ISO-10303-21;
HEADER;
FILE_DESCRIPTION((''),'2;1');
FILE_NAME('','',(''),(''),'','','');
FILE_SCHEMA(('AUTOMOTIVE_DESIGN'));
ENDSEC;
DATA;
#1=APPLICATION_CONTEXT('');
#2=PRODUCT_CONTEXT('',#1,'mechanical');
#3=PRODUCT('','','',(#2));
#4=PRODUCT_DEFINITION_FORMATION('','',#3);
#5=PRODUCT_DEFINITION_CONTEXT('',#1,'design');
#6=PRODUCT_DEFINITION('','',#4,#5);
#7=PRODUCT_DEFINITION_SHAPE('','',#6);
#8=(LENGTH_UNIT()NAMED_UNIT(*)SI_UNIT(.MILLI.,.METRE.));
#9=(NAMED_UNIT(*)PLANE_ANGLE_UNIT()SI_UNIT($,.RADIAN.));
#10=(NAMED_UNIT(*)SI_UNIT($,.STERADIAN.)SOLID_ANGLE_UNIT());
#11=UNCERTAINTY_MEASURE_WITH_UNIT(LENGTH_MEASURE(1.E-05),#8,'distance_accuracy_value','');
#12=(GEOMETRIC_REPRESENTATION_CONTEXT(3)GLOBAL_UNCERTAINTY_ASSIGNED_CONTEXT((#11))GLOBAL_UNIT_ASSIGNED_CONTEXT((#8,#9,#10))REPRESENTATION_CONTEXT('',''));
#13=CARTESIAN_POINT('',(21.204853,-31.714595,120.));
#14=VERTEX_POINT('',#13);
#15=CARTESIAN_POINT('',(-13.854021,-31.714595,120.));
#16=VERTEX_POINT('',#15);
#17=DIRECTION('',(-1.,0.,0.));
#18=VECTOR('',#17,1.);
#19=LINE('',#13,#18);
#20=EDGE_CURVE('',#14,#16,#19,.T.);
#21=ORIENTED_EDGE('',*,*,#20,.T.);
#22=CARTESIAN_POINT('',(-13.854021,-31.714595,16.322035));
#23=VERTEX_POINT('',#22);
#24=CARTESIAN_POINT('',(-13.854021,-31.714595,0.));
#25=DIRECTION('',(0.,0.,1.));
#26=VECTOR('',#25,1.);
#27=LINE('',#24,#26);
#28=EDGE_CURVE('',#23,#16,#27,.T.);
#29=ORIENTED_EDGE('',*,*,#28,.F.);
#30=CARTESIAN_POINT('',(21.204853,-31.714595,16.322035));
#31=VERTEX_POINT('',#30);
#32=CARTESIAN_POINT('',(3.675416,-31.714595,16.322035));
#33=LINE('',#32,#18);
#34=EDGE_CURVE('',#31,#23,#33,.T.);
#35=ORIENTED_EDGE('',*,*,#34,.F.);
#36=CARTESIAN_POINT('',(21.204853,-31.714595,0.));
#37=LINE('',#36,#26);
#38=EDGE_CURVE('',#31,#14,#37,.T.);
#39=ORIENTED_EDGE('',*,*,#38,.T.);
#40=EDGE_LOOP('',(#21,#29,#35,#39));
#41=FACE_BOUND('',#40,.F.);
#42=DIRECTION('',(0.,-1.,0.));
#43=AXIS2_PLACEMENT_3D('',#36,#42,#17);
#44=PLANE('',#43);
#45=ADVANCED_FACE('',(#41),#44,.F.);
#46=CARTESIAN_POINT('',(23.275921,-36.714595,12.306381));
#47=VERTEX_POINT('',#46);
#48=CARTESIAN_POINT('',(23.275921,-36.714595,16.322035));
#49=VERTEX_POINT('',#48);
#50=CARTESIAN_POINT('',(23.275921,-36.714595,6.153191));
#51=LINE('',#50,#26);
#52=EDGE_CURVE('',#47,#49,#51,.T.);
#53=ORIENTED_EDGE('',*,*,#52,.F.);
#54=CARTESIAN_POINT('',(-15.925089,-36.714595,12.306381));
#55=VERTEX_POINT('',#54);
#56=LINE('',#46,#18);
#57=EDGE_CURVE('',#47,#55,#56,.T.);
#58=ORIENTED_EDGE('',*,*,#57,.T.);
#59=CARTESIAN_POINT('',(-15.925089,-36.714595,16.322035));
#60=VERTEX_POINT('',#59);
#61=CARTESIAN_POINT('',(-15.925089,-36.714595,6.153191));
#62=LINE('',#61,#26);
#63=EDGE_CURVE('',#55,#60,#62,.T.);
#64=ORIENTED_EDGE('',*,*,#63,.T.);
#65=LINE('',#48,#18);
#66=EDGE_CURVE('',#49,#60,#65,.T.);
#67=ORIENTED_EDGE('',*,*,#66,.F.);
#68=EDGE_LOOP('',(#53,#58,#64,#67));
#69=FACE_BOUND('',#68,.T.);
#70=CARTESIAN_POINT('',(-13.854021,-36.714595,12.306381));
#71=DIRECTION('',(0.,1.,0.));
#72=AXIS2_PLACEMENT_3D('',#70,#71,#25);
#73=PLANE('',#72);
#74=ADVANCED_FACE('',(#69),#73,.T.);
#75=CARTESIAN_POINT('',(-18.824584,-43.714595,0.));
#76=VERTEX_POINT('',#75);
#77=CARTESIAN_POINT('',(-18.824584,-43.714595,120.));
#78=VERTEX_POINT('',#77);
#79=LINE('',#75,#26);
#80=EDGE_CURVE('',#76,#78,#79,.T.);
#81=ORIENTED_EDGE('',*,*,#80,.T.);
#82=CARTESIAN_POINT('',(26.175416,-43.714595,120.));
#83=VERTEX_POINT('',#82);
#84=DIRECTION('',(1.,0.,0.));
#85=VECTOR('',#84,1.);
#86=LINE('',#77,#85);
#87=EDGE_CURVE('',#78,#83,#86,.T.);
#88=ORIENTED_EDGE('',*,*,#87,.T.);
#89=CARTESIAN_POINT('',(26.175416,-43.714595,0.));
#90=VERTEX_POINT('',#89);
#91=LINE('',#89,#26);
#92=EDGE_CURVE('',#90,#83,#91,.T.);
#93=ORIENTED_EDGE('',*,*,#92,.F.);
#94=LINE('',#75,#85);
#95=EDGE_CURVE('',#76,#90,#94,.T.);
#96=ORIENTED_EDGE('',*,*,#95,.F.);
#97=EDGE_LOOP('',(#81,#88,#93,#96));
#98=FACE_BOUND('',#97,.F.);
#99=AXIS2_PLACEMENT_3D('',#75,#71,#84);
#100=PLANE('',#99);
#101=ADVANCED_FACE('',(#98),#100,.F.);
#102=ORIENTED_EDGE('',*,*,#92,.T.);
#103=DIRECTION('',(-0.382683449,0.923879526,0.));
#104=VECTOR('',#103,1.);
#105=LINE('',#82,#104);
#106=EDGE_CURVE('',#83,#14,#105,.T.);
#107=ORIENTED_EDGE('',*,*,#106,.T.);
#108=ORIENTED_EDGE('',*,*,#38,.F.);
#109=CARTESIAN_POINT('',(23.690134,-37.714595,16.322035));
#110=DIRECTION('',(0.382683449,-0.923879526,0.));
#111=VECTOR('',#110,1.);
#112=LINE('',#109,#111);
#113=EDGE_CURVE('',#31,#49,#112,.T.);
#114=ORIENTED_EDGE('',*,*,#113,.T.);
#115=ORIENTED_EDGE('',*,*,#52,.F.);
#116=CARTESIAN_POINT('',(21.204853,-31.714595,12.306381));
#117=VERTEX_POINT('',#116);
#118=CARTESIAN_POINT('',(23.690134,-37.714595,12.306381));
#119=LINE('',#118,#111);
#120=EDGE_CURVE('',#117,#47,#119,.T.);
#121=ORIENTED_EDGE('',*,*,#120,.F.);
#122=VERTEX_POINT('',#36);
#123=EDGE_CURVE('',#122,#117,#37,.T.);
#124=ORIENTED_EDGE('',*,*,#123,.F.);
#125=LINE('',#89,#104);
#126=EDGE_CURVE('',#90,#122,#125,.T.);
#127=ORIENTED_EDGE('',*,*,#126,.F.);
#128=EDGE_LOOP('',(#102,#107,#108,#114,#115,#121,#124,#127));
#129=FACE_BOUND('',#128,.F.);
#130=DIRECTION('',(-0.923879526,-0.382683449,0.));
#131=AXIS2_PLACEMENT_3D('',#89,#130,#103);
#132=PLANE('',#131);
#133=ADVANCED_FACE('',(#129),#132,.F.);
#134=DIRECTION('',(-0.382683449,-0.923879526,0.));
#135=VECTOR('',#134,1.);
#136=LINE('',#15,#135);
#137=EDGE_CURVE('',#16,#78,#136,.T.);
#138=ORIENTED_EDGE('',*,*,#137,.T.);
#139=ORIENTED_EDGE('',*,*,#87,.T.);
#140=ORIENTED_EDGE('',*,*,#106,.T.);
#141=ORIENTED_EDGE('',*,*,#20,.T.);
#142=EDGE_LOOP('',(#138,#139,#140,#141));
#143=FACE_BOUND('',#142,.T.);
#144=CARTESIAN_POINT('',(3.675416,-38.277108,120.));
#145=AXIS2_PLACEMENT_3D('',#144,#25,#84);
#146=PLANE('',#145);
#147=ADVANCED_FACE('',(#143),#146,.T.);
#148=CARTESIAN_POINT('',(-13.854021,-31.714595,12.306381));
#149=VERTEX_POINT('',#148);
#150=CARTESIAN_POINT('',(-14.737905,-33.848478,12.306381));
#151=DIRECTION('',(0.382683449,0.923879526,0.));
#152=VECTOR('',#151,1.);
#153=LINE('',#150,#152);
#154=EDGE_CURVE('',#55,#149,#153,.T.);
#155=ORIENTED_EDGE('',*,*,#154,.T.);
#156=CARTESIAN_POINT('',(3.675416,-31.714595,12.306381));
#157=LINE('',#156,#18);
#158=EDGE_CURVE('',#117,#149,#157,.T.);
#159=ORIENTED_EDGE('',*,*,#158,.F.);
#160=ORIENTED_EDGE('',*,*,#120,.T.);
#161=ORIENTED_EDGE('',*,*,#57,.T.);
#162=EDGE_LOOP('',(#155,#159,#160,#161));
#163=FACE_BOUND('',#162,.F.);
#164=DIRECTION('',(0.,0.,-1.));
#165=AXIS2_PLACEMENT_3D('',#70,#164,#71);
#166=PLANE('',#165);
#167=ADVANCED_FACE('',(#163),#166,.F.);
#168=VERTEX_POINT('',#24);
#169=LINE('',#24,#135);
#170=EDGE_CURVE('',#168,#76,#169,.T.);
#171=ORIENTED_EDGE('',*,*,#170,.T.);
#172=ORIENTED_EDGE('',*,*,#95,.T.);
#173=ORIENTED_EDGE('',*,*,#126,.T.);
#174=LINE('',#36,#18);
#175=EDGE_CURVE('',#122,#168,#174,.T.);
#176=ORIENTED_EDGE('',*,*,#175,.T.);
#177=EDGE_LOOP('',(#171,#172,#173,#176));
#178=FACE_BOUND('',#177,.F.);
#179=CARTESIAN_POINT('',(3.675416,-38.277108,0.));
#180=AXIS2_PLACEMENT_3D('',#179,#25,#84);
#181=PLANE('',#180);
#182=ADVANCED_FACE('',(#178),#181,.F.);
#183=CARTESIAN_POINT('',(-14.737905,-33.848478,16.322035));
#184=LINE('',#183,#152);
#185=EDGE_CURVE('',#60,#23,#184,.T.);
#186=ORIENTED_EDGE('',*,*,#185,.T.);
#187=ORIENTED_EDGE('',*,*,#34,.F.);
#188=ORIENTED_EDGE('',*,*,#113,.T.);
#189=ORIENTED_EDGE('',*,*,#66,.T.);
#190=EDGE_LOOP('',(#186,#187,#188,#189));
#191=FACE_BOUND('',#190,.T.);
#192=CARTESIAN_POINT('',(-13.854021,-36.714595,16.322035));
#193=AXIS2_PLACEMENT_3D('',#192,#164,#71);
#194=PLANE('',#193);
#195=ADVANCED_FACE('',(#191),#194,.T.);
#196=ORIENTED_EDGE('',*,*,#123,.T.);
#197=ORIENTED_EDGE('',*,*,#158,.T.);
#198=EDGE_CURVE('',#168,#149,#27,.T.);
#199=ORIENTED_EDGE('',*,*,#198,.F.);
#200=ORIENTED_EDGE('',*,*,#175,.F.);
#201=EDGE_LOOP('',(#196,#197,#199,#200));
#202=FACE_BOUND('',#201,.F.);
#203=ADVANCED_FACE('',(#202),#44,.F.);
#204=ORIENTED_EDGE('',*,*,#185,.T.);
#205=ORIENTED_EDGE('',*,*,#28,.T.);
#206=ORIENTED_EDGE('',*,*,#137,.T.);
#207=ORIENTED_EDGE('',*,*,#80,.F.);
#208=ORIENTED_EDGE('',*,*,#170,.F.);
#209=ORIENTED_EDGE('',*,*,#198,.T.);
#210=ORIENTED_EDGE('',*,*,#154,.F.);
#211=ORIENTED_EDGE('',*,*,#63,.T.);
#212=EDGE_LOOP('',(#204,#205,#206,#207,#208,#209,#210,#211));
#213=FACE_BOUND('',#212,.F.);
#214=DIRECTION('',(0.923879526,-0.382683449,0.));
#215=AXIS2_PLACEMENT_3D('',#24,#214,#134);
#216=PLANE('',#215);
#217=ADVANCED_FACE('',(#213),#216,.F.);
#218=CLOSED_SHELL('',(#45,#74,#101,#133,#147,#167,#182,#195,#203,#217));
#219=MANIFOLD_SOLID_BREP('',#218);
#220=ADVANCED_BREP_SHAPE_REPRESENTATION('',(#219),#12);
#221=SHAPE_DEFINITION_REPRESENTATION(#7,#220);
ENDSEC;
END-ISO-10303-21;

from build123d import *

# Parameters (mm, degrees)
F1_DEPTH = 120
F2_W     = 35.058874
F2_H     = 4.015654
F3_DEPTH = 5
F4_W     = 5
F4_H     = 4.015654
F5_DEPTH = 25
F6_W     = 5
F6_H     = 4.015654
F7_DEPTH = 25


with BuildPart() as f1:
    # F0 (on Top) → F1 (new body)
    with BuildSketch(Plane.XY):
        Polygon((-13.854021, -31.714595), (-18.824584, -43.714595), (26.175416, -43.714595), (21.204853, -31.714595), align=None)
    extrude(amount=F1_DEPTH)

    # F2 (on face) → F3 (cut)
    with BuildSketch(Plane(origin=(0, -31.714595, 0), x_dir=(-1, 0, 0), z_dir=(0, 1, 0))):
        with Locations((-3.675416, 14.314208)):
            Rectangle(F2_W, F2_H)
    extrude(amount=-F3_DEPTH, mode=Mode.SUBTRACT)

    # F4 (on face) → F5 (cut)
    with BuildSketch(Plane.YZ.offset(-13.854021)):
        with Locations((-34.214595, 14.314208)):
            Rectangle(F4_W, F4_H)
    extrude(amount=-F5_DEPTH, mode=Mode.SUBTRACT)

    # F6 (on face) → F7 (cut)
    with BuildSketch(Plane(origin=(21.204853, 0, 0), x_dir=(0, -1, 0), z_dir=(-1, 0, 0))):
        with Locations((34.214595, 14.314208)):
            Rectangle(F6_W, F6_H)
    extrude(amount=-F7_DEPTH, mode=Mode.SUBTRACT)


solid = f1.part
